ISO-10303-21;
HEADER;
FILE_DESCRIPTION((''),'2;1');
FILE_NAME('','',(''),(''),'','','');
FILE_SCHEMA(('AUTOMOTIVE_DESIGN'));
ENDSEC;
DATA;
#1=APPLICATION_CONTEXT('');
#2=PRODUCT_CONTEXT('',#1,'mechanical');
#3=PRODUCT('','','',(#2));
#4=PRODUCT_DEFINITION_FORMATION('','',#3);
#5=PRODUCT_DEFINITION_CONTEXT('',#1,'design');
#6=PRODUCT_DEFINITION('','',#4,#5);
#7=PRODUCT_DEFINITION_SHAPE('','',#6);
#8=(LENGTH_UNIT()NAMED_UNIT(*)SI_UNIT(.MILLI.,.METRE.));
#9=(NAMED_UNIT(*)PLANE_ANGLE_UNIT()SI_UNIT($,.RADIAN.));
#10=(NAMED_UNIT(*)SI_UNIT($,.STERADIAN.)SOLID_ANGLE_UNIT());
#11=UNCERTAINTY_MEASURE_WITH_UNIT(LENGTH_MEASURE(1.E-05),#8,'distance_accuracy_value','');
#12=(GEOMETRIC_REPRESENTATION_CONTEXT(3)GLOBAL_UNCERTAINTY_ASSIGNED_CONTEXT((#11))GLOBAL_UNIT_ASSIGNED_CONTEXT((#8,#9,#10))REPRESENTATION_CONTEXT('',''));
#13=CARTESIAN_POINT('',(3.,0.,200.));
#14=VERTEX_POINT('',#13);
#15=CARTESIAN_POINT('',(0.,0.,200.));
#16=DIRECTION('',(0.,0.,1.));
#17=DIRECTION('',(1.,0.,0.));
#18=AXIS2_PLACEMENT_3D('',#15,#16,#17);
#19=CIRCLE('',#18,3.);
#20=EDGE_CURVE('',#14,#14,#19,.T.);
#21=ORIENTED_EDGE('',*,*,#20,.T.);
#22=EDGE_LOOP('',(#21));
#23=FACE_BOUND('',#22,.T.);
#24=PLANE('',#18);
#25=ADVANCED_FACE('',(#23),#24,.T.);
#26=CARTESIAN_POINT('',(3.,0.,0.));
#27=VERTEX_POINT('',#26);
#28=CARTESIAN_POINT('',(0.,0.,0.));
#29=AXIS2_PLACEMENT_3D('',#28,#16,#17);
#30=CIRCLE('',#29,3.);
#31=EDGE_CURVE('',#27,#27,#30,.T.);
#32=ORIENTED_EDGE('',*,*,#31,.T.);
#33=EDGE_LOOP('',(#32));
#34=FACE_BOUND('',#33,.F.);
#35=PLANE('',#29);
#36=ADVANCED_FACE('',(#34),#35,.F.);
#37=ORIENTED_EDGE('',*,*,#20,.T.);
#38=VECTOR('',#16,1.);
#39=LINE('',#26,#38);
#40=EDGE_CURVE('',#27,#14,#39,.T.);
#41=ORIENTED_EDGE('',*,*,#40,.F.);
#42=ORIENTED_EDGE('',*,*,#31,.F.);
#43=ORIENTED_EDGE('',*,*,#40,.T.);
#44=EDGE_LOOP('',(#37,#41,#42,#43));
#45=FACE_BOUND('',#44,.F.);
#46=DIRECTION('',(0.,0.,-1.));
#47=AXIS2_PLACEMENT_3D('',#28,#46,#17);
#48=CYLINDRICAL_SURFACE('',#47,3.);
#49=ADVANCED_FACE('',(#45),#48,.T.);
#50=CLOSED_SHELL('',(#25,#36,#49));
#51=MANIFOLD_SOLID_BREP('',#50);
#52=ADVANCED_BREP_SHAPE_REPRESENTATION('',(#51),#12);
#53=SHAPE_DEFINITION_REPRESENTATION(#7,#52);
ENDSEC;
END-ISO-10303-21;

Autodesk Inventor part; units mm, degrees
ref_plane "YZ Plane" through (0, 0, 0) normal (1, 0, 0) x (0, 1, 0)
ref_plane "XZ Plane" through (0, 0, 0) normal (0, 1, 0) x (-1, 0, 0)
ref_plane "XY Plane" through (0, 0, 0) normal (0, 0, 1) x (1, 0, 0)
sketch "Sketch1" plane through (0, 0, 0) normal (0, 0, 1) x (1, 0, 0)
  circle A0 centre (0, 0) radius 3
  dimension "d0" = 6
extrude "Extrusion1" add sketch "Sketch1" along normal blind 200
properties part number "SmoothBar6"
